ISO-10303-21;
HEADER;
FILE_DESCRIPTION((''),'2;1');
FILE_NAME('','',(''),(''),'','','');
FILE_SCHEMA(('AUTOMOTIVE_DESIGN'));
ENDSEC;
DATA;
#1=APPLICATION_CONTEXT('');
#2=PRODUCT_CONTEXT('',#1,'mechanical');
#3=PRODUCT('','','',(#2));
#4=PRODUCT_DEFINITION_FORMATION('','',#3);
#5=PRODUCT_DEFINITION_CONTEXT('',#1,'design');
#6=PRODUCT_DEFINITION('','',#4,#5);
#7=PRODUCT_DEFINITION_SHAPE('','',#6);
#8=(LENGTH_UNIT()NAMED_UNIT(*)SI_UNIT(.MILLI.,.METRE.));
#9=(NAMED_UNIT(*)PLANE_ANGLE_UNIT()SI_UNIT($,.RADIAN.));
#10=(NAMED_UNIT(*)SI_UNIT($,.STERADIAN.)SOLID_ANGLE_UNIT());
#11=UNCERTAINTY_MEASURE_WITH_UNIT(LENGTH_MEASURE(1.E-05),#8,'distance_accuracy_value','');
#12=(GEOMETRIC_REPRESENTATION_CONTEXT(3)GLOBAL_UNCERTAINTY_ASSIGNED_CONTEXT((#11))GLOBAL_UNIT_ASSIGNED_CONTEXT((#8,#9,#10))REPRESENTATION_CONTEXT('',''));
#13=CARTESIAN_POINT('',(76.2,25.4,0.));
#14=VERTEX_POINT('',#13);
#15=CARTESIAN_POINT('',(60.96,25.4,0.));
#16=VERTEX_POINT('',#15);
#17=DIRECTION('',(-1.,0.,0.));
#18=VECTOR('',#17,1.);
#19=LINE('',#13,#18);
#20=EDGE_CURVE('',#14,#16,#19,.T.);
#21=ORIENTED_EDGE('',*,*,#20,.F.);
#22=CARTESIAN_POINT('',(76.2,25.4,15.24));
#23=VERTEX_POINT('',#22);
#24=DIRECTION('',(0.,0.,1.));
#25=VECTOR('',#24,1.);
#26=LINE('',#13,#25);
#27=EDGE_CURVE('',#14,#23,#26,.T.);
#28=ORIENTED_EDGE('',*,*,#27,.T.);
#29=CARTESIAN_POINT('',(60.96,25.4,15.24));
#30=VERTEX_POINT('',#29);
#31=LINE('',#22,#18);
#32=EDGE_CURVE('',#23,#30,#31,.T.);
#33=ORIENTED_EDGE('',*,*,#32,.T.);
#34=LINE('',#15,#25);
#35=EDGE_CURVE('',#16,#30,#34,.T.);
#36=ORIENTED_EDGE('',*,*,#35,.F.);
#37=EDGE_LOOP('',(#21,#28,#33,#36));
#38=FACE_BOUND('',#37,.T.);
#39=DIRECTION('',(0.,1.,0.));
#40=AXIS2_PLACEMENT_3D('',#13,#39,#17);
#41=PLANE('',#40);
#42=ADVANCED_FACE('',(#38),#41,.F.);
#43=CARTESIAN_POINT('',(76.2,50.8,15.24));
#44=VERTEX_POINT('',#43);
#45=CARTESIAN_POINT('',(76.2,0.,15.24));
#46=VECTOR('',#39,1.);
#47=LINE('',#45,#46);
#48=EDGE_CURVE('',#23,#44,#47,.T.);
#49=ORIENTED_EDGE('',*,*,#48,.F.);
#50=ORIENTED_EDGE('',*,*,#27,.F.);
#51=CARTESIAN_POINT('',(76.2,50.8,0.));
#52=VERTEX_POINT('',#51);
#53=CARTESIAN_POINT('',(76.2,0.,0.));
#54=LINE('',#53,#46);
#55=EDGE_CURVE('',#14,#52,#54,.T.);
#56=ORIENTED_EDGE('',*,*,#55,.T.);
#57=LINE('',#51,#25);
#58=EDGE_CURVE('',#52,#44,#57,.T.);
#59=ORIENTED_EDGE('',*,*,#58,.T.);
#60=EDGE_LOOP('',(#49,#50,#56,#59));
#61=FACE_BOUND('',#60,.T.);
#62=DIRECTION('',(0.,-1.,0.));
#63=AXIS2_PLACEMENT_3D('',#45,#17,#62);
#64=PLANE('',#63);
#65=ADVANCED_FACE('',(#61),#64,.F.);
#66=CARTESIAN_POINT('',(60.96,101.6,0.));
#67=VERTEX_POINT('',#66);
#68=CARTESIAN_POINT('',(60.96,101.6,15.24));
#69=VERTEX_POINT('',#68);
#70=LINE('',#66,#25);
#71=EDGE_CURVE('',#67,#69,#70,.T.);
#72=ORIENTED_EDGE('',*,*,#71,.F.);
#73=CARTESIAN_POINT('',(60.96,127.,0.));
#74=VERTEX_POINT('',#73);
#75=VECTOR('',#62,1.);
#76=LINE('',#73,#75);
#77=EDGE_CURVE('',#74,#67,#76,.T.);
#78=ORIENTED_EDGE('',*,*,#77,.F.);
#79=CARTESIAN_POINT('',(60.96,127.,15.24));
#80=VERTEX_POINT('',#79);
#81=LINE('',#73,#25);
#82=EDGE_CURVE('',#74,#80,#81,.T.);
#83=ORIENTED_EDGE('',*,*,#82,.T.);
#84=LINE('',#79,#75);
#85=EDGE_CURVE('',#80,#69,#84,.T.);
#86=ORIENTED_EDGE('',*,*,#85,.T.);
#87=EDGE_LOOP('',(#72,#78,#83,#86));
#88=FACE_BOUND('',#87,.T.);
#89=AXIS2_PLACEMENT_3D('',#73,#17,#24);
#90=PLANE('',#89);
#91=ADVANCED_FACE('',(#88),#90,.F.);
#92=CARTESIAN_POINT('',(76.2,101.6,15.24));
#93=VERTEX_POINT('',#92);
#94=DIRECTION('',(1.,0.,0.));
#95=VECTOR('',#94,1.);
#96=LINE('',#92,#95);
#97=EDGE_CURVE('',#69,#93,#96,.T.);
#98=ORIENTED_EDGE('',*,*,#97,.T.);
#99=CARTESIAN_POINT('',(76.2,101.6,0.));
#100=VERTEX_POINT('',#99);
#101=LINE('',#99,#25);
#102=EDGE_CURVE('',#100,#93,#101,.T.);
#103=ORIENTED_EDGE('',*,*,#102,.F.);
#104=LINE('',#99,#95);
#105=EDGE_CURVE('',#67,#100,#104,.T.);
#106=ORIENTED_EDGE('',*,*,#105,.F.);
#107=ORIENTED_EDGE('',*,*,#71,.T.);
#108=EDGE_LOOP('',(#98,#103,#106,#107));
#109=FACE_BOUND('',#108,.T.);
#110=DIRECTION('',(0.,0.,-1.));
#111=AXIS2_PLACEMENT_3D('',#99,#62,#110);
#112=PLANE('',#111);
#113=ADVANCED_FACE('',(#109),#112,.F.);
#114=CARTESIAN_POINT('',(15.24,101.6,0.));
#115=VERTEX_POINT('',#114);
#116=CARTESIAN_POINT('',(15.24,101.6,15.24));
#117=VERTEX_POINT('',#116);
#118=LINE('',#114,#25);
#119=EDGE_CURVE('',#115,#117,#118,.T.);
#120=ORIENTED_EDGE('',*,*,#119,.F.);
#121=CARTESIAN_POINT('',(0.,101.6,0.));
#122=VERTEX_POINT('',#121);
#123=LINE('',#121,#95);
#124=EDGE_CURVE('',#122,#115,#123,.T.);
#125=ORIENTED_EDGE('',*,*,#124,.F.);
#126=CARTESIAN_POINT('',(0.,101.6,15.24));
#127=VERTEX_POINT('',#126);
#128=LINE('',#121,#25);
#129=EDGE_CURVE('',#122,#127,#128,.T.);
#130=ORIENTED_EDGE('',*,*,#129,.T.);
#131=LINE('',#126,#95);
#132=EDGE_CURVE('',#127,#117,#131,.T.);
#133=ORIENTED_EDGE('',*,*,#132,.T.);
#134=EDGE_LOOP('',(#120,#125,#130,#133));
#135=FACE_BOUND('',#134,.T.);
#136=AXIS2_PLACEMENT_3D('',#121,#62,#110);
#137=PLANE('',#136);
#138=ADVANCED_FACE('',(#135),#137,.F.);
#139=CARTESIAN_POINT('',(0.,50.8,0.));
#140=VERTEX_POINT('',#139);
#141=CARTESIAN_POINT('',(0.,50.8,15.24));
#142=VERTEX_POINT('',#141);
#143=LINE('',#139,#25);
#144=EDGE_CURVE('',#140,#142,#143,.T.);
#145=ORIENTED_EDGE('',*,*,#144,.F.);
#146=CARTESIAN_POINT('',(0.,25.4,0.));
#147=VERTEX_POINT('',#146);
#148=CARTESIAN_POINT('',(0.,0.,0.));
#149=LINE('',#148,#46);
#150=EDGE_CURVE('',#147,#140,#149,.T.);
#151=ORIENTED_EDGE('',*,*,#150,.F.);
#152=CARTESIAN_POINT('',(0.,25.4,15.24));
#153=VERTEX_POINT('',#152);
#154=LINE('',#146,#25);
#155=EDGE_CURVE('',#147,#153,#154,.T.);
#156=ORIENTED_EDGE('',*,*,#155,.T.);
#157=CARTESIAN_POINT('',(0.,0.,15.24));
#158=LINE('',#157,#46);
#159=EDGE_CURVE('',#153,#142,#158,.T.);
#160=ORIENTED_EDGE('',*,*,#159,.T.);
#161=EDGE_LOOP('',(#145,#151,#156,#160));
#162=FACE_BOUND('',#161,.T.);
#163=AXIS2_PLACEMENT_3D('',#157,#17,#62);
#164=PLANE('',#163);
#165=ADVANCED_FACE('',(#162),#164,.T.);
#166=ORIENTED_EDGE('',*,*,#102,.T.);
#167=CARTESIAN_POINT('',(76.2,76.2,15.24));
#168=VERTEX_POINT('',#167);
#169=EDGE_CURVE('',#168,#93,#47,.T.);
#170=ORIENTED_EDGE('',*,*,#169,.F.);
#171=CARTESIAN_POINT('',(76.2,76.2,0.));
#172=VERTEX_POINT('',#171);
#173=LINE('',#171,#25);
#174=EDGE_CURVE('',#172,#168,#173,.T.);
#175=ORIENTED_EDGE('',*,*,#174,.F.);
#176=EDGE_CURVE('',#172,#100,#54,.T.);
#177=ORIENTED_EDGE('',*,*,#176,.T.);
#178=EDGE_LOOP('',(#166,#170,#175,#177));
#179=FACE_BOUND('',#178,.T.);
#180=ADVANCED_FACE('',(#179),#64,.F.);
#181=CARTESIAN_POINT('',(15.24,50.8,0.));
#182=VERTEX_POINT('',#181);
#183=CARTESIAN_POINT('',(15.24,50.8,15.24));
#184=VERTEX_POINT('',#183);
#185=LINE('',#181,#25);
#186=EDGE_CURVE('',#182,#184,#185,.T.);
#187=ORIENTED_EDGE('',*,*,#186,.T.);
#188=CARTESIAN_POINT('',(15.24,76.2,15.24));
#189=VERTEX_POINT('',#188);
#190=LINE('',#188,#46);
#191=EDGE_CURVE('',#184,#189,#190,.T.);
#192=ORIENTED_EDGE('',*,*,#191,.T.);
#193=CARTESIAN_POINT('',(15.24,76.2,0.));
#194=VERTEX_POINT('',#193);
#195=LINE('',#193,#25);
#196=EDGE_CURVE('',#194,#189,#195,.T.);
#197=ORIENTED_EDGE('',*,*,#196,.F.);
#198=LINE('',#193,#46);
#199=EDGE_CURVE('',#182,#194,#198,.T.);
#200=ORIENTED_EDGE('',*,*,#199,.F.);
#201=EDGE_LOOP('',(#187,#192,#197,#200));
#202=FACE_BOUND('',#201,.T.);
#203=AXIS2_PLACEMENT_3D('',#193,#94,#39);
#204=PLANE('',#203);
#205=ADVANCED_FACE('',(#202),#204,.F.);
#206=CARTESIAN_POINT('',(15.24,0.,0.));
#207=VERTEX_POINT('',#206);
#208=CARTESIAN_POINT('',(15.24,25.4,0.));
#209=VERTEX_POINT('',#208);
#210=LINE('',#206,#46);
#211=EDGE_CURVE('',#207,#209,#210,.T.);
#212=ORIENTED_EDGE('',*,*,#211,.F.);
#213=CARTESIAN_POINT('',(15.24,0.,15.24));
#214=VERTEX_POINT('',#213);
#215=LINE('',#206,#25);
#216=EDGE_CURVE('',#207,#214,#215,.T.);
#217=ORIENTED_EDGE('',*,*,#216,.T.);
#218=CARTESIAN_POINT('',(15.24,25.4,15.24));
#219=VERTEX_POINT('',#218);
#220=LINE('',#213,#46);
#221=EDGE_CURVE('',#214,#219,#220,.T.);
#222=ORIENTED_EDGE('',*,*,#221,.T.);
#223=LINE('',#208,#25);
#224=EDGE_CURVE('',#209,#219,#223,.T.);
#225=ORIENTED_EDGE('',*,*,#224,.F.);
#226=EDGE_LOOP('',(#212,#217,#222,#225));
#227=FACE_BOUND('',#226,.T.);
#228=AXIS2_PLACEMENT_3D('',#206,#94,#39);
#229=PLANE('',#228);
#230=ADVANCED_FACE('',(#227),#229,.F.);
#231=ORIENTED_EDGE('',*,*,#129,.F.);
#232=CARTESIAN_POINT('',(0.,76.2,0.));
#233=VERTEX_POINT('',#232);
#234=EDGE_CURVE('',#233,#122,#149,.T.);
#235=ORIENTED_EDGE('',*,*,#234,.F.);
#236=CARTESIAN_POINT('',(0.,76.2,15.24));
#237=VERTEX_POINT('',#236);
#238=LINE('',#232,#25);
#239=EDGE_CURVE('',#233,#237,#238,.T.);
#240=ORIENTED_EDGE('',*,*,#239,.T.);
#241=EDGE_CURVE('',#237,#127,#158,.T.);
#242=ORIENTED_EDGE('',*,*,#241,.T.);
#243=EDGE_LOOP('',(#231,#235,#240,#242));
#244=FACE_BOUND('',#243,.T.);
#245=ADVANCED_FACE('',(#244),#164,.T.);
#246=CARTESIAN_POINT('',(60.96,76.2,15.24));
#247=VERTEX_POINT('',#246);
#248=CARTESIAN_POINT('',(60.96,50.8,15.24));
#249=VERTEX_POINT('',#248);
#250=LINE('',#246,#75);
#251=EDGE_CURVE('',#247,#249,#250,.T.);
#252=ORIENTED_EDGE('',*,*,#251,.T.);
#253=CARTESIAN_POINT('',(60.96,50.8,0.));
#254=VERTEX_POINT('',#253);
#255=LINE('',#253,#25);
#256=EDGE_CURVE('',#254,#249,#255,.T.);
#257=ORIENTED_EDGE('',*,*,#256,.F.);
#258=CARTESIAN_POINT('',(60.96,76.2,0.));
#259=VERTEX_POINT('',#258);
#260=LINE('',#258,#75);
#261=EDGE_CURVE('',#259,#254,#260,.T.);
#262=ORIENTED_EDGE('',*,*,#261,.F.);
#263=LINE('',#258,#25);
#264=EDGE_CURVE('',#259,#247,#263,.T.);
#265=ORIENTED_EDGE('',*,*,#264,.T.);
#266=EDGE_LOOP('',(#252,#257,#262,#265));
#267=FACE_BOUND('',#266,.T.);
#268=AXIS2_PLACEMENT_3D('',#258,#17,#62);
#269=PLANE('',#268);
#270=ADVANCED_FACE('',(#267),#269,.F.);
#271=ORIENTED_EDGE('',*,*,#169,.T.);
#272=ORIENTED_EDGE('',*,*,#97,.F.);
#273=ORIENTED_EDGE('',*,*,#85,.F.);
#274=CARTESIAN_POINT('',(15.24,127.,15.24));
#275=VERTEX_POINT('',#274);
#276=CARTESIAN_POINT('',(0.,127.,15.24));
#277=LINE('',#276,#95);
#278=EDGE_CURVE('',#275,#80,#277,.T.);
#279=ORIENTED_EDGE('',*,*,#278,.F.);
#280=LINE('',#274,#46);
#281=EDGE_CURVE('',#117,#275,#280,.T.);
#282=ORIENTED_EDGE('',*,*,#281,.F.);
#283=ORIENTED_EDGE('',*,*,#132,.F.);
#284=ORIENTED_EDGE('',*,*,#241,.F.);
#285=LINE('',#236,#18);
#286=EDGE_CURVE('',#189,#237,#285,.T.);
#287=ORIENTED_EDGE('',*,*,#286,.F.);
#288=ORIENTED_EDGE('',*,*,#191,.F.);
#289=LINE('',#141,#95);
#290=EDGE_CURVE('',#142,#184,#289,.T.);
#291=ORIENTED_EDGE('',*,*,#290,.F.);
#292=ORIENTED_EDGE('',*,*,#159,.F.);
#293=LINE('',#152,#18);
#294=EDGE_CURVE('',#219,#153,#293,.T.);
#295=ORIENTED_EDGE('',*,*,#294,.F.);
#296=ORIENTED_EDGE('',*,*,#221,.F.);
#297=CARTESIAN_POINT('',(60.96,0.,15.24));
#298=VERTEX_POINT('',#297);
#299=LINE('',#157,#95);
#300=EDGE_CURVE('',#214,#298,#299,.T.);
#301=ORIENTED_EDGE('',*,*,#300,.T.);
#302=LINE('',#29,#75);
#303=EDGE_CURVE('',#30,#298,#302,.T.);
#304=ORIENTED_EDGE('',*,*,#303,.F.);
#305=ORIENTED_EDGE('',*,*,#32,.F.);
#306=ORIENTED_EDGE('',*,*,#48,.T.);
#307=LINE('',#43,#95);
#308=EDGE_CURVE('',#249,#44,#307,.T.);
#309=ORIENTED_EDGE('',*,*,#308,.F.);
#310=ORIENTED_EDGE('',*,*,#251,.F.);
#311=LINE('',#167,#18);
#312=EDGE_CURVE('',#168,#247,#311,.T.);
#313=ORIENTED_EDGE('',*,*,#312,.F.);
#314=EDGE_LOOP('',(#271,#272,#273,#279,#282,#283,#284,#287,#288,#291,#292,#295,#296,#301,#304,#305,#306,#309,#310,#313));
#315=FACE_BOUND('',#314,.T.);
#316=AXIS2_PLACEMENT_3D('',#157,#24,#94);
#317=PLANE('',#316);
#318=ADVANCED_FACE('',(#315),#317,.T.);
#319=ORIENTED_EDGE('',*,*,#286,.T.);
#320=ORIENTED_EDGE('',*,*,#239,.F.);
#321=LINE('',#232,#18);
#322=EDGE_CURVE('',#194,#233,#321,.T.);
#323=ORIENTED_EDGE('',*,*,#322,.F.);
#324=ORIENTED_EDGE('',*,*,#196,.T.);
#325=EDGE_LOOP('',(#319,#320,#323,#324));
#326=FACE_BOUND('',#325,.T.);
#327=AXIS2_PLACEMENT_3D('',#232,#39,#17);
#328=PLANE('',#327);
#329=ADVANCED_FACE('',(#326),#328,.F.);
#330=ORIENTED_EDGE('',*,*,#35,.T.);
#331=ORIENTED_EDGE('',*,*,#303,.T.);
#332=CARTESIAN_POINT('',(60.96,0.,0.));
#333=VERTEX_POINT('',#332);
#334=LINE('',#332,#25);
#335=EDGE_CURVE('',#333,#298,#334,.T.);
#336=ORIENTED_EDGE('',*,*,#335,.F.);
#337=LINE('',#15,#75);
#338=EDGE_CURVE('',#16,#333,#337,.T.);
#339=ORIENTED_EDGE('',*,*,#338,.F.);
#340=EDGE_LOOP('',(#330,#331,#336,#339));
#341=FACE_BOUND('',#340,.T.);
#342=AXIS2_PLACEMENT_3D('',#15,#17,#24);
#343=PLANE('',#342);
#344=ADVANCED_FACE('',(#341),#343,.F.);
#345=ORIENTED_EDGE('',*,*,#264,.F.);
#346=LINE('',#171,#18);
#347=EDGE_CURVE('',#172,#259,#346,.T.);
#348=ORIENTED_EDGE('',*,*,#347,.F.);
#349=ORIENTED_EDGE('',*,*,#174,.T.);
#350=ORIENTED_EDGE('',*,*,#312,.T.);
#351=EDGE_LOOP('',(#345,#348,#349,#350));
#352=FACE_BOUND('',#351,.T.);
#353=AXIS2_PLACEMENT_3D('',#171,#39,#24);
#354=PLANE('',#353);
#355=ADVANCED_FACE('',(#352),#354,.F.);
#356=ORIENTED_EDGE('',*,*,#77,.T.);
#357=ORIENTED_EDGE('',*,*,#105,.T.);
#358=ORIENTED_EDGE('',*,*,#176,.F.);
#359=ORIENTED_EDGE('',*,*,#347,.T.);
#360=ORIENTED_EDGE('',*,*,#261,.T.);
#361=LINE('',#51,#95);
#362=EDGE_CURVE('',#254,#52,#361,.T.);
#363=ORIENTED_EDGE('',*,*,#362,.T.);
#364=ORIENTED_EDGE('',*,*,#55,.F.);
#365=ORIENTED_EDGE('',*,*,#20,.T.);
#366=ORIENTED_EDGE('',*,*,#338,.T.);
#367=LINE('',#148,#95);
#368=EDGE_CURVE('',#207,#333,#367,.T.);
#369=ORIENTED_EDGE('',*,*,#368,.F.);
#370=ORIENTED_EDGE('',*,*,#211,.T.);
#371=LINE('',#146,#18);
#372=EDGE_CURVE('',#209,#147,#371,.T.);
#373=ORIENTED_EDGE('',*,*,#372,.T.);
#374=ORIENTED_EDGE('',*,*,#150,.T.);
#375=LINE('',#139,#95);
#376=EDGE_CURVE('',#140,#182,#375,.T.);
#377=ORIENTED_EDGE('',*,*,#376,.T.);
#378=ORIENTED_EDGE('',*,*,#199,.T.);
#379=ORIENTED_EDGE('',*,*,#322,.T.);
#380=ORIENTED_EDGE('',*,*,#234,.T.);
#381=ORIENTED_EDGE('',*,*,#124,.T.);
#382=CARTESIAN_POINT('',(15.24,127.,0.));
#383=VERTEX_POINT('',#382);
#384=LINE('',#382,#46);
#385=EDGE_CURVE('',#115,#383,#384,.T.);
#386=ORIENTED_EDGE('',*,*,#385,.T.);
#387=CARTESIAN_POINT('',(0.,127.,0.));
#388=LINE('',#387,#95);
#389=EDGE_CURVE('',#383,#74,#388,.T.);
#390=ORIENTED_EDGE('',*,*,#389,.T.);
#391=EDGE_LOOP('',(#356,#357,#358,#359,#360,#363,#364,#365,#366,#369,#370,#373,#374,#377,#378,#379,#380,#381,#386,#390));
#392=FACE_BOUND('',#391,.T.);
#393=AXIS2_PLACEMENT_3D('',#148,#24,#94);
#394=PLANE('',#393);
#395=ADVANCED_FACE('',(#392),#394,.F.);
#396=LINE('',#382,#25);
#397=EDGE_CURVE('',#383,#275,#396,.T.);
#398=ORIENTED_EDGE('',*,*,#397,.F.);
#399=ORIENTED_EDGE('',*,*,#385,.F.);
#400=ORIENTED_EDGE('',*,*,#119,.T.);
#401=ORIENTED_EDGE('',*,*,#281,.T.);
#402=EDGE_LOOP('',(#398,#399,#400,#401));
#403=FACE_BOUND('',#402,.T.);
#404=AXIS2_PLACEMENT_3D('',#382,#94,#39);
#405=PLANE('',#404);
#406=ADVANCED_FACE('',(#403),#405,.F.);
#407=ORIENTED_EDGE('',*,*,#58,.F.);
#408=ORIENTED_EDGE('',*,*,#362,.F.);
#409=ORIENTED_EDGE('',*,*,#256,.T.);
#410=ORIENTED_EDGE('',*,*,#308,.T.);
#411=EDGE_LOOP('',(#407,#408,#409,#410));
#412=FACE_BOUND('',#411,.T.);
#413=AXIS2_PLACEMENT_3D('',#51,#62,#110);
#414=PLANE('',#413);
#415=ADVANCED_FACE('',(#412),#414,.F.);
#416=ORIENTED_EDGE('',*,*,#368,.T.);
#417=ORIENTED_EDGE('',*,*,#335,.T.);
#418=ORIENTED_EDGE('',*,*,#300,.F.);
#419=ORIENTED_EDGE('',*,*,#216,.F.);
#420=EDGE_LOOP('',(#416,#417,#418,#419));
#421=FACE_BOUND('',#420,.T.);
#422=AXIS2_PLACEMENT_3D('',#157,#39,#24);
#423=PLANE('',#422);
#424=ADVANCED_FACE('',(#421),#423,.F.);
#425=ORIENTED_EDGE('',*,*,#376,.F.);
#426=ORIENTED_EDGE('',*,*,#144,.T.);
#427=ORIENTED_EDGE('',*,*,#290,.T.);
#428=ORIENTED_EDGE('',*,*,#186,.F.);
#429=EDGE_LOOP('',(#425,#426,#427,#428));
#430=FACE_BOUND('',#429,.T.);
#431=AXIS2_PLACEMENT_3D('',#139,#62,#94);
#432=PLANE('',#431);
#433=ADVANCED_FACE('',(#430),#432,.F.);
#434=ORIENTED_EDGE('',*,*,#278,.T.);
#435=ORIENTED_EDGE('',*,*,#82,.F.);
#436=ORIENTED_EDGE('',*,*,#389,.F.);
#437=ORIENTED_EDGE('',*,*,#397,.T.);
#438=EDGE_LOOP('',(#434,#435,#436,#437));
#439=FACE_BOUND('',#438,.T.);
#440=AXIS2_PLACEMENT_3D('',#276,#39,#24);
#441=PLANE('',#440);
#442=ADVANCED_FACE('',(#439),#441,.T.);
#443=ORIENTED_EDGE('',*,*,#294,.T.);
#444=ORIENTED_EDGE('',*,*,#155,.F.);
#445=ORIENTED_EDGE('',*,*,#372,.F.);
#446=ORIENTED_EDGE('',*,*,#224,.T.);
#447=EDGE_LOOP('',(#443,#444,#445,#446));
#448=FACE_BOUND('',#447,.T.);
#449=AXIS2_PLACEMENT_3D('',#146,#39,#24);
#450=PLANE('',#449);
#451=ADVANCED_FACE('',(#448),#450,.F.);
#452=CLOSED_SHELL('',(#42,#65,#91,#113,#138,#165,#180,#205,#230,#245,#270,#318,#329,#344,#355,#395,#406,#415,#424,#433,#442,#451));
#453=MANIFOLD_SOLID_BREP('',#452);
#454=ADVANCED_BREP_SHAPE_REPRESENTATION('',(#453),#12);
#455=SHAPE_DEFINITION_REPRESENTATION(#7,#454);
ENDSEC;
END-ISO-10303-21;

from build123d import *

# Parameters (mm, degrees)
SKETCH1_W           = 76.2
SKETCH1_H           = 127
BOSS_EXTRUDE1_DEPTH = 15.24
SKETCH13_W          = 15.24
SKETCH13_H          = 25.4
CUT_EXTRUDE1_DEPTH  = 15.24


with BuildPart() as part:
    # Sketch1 → Boss-Extrude1 (new body)
    with BuildSketch(Plane.XY):
        with Locations((38.1, 63.5)):
            Rectangle(SKETCH1_W, SKETCH1_H)
    extrude(amount=BOSS_EXTRUDE1_DEPTH)

    # Sketch13 → Cut-Extrude1 (cut)
    with BuildSketch(Plane.XY.offset(15.24)):
        with Locations((7.62, 114.3)):
            Rectangle(SKETCH13_W, SKETCH13_H)
        with Locations((7.62, 63.5)):
            Rectangle(SKETCH13_W, SKETCH13_H)
        with Locations((7.62, 12.7)):
            Rectangle(SKETCH13_W, SKETCH13_H)
        with Locations((68.58, 114.3)):
            Rectangle(SKETCH13_W, SKETCH13_H)
        with Locations((68.58, 63.5)):
            Rectangle(SKETCH13_W, SKETCH13_H)
        with Locations((68.58, 12.7)):
            Rectangle(SKETCH13_W, SKETCH13_H)
    extrude(amount=-CUT_EXTRUDE1_DEPTH, mode=Mode.SUBTRACT)


solid = part.part
